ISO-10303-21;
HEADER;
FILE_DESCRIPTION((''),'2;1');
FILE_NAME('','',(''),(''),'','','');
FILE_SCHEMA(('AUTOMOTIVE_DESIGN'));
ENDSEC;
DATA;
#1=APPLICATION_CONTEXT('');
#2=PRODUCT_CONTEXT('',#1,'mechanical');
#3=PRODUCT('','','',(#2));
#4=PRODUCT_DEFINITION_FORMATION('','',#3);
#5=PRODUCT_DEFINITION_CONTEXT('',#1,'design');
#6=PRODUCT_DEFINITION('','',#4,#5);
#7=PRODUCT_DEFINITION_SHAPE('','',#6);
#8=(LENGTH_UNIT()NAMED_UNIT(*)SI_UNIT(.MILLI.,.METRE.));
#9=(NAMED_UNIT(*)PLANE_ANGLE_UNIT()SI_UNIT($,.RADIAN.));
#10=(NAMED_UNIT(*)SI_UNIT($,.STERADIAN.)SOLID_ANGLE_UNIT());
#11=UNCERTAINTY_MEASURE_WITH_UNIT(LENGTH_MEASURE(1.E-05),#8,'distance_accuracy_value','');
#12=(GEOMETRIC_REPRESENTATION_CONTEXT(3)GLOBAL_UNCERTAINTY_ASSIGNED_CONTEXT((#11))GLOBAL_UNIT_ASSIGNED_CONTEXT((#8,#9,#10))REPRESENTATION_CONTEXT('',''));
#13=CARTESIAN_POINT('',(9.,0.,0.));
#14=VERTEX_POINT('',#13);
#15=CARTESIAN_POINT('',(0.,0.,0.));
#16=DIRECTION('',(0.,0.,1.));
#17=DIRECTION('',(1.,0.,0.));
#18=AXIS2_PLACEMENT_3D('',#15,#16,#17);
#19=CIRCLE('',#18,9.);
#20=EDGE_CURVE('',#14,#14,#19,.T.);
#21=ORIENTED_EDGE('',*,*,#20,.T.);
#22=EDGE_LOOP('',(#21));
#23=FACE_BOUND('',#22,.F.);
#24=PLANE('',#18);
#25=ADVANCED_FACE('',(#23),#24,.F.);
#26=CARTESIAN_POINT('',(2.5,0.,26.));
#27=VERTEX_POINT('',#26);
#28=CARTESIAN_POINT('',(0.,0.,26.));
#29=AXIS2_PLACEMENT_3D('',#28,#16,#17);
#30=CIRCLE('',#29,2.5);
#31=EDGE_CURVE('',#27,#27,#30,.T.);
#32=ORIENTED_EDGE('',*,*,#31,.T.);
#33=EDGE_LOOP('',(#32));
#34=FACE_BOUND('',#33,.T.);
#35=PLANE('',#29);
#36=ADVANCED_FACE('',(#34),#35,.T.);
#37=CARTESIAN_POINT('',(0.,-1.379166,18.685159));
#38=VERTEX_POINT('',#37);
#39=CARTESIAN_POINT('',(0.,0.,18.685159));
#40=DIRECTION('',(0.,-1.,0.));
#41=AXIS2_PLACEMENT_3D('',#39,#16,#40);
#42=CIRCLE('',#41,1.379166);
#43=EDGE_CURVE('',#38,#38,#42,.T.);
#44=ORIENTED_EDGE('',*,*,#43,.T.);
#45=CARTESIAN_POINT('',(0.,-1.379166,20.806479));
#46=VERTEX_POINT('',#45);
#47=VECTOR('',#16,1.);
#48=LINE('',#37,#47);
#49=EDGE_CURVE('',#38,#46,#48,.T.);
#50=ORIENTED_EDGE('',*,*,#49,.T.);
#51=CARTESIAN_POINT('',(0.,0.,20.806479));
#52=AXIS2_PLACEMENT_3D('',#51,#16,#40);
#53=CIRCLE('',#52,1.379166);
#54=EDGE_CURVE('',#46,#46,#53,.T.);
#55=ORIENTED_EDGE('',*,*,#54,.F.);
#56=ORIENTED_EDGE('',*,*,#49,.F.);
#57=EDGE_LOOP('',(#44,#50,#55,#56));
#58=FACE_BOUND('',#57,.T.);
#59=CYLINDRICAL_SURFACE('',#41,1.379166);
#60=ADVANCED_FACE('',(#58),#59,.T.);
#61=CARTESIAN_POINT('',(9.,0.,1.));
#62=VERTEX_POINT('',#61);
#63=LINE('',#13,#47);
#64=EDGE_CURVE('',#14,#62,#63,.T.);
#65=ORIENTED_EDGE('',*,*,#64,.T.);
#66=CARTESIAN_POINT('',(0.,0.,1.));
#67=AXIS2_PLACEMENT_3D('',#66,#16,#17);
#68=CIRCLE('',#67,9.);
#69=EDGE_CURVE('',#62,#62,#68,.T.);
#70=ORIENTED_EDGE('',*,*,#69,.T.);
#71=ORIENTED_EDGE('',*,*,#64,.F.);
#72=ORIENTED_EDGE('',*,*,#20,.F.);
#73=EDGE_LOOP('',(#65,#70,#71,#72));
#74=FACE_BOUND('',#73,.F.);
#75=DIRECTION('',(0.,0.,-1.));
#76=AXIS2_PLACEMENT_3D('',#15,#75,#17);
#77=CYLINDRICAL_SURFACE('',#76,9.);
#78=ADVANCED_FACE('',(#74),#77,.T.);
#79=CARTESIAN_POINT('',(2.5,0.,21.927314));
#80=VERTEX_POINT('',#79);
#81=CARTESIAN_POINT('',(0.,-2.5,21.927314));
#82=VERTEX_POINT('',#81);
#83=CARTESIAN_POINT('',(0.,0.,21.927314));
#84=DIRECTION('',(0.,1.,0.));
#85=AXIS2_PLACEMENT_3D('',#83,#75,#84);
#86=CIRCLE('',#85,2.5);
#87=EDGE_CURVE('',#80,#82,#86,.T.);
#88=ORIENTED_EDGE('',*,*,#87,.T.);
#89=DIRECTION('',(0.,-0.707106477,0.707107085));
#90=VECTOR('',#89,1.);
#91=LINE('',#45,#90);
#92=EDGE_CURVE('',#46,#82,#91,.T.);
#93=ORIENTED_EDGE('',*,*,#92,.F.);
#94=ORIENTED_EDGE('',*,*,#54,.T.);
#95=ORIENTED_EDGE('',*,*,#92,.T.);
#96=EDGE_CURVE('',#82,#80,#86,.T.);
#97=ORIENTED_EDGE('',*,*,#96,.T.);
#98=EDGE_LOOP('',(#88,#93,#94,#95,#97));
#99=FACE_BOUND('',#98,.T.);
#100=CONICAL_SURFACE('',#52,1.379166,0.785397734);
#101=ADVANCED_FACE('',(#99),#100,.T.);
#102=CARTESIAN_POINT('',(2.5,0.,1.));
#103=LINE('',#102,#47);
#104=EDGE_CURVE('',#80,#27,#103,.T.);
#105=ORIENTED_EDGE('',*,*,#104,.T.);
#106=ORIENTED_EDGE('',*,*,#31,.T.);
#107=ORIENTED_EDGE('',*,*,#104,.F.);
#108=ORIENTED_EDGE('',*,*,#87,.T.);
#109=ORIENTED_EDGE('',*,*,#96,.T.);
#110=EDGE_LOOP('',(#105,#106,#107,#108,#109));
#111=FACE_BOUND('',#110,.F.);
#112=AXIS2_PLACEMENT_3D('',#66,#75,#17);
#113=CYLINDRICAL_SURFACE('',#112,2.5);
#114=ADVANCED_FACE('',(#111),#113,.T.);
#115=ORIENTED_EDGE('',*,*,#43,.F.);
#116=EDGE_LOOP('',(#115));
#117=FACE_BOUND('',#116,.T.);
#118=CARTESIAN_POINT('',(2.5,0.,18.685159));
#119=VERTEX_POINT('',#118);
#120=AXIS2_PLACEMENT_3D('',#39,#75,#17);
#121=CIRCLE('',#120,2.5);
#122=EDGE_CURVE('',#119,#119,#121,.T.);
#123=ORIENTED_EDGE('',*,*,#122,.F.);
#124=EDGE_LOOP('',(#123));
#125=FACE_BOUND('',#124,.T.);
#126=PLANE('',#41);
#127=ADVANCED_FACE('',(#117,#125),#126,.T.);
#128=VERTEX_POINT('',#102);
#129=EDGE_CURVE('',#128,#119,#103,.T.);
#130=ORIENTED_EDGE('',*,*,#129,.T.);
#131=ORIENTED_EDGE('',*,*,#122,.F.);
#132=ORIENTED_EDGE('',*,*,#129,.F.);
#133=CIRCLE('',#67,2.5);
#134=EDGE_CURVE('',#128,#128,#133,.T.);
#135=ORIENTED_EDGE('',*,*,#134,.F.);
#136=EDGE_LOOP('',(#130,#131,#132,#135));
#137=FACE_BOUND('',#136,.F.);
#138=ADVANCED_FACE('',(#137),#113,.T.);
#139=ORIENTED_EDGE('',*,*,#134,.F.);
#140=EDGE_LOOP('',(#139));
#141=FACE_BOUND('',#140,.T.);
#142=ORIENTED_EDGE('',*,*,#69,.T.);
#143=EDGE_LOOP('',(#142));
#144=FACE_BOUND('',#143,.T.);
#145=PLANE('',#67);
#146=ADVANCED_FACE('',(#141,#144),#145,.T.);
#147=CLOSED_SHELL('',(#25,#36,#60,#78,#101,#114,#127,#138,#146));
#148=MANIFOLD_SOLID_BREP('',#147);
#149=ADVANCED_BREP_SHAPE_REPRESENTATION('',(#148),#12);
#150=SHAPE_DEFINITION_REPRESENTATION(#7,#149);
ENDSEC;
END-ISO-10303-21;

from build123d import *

# Parameters (mm, degrees)
F0_R     = 9
F1_DEPTH = 1
F2_R     = 2.5
F3_DEPTH = 25


with BuildPart() as f1:
    # F0 (on Top) → F1 (new body)
    with BuildSketch(Plane.XY):
        Circle(F0_R)
    extrude(amount=F1_DEPTH)

    # F2 (on face) → F3 (join)
    with BuildSketch(Plane.XY.offset(1)):
        Circle(F2_R)
    extrude(amount=F3_DEPTH)

    # F5 (on Right) → F6 (revolve, cut)
    with BuildSketch(Plane.YZ):
        Polygon((-2.54262, 21.969934), (-2.54262, 18.685159), (-1.379166, 18.685159), (-1.379166, 20.806479), align=None)
    revolve(axis=Axis((0, 0, 9.517463), (0, 0, 1)), mode=Mode.SUBTRACT)


solid = f1.part
